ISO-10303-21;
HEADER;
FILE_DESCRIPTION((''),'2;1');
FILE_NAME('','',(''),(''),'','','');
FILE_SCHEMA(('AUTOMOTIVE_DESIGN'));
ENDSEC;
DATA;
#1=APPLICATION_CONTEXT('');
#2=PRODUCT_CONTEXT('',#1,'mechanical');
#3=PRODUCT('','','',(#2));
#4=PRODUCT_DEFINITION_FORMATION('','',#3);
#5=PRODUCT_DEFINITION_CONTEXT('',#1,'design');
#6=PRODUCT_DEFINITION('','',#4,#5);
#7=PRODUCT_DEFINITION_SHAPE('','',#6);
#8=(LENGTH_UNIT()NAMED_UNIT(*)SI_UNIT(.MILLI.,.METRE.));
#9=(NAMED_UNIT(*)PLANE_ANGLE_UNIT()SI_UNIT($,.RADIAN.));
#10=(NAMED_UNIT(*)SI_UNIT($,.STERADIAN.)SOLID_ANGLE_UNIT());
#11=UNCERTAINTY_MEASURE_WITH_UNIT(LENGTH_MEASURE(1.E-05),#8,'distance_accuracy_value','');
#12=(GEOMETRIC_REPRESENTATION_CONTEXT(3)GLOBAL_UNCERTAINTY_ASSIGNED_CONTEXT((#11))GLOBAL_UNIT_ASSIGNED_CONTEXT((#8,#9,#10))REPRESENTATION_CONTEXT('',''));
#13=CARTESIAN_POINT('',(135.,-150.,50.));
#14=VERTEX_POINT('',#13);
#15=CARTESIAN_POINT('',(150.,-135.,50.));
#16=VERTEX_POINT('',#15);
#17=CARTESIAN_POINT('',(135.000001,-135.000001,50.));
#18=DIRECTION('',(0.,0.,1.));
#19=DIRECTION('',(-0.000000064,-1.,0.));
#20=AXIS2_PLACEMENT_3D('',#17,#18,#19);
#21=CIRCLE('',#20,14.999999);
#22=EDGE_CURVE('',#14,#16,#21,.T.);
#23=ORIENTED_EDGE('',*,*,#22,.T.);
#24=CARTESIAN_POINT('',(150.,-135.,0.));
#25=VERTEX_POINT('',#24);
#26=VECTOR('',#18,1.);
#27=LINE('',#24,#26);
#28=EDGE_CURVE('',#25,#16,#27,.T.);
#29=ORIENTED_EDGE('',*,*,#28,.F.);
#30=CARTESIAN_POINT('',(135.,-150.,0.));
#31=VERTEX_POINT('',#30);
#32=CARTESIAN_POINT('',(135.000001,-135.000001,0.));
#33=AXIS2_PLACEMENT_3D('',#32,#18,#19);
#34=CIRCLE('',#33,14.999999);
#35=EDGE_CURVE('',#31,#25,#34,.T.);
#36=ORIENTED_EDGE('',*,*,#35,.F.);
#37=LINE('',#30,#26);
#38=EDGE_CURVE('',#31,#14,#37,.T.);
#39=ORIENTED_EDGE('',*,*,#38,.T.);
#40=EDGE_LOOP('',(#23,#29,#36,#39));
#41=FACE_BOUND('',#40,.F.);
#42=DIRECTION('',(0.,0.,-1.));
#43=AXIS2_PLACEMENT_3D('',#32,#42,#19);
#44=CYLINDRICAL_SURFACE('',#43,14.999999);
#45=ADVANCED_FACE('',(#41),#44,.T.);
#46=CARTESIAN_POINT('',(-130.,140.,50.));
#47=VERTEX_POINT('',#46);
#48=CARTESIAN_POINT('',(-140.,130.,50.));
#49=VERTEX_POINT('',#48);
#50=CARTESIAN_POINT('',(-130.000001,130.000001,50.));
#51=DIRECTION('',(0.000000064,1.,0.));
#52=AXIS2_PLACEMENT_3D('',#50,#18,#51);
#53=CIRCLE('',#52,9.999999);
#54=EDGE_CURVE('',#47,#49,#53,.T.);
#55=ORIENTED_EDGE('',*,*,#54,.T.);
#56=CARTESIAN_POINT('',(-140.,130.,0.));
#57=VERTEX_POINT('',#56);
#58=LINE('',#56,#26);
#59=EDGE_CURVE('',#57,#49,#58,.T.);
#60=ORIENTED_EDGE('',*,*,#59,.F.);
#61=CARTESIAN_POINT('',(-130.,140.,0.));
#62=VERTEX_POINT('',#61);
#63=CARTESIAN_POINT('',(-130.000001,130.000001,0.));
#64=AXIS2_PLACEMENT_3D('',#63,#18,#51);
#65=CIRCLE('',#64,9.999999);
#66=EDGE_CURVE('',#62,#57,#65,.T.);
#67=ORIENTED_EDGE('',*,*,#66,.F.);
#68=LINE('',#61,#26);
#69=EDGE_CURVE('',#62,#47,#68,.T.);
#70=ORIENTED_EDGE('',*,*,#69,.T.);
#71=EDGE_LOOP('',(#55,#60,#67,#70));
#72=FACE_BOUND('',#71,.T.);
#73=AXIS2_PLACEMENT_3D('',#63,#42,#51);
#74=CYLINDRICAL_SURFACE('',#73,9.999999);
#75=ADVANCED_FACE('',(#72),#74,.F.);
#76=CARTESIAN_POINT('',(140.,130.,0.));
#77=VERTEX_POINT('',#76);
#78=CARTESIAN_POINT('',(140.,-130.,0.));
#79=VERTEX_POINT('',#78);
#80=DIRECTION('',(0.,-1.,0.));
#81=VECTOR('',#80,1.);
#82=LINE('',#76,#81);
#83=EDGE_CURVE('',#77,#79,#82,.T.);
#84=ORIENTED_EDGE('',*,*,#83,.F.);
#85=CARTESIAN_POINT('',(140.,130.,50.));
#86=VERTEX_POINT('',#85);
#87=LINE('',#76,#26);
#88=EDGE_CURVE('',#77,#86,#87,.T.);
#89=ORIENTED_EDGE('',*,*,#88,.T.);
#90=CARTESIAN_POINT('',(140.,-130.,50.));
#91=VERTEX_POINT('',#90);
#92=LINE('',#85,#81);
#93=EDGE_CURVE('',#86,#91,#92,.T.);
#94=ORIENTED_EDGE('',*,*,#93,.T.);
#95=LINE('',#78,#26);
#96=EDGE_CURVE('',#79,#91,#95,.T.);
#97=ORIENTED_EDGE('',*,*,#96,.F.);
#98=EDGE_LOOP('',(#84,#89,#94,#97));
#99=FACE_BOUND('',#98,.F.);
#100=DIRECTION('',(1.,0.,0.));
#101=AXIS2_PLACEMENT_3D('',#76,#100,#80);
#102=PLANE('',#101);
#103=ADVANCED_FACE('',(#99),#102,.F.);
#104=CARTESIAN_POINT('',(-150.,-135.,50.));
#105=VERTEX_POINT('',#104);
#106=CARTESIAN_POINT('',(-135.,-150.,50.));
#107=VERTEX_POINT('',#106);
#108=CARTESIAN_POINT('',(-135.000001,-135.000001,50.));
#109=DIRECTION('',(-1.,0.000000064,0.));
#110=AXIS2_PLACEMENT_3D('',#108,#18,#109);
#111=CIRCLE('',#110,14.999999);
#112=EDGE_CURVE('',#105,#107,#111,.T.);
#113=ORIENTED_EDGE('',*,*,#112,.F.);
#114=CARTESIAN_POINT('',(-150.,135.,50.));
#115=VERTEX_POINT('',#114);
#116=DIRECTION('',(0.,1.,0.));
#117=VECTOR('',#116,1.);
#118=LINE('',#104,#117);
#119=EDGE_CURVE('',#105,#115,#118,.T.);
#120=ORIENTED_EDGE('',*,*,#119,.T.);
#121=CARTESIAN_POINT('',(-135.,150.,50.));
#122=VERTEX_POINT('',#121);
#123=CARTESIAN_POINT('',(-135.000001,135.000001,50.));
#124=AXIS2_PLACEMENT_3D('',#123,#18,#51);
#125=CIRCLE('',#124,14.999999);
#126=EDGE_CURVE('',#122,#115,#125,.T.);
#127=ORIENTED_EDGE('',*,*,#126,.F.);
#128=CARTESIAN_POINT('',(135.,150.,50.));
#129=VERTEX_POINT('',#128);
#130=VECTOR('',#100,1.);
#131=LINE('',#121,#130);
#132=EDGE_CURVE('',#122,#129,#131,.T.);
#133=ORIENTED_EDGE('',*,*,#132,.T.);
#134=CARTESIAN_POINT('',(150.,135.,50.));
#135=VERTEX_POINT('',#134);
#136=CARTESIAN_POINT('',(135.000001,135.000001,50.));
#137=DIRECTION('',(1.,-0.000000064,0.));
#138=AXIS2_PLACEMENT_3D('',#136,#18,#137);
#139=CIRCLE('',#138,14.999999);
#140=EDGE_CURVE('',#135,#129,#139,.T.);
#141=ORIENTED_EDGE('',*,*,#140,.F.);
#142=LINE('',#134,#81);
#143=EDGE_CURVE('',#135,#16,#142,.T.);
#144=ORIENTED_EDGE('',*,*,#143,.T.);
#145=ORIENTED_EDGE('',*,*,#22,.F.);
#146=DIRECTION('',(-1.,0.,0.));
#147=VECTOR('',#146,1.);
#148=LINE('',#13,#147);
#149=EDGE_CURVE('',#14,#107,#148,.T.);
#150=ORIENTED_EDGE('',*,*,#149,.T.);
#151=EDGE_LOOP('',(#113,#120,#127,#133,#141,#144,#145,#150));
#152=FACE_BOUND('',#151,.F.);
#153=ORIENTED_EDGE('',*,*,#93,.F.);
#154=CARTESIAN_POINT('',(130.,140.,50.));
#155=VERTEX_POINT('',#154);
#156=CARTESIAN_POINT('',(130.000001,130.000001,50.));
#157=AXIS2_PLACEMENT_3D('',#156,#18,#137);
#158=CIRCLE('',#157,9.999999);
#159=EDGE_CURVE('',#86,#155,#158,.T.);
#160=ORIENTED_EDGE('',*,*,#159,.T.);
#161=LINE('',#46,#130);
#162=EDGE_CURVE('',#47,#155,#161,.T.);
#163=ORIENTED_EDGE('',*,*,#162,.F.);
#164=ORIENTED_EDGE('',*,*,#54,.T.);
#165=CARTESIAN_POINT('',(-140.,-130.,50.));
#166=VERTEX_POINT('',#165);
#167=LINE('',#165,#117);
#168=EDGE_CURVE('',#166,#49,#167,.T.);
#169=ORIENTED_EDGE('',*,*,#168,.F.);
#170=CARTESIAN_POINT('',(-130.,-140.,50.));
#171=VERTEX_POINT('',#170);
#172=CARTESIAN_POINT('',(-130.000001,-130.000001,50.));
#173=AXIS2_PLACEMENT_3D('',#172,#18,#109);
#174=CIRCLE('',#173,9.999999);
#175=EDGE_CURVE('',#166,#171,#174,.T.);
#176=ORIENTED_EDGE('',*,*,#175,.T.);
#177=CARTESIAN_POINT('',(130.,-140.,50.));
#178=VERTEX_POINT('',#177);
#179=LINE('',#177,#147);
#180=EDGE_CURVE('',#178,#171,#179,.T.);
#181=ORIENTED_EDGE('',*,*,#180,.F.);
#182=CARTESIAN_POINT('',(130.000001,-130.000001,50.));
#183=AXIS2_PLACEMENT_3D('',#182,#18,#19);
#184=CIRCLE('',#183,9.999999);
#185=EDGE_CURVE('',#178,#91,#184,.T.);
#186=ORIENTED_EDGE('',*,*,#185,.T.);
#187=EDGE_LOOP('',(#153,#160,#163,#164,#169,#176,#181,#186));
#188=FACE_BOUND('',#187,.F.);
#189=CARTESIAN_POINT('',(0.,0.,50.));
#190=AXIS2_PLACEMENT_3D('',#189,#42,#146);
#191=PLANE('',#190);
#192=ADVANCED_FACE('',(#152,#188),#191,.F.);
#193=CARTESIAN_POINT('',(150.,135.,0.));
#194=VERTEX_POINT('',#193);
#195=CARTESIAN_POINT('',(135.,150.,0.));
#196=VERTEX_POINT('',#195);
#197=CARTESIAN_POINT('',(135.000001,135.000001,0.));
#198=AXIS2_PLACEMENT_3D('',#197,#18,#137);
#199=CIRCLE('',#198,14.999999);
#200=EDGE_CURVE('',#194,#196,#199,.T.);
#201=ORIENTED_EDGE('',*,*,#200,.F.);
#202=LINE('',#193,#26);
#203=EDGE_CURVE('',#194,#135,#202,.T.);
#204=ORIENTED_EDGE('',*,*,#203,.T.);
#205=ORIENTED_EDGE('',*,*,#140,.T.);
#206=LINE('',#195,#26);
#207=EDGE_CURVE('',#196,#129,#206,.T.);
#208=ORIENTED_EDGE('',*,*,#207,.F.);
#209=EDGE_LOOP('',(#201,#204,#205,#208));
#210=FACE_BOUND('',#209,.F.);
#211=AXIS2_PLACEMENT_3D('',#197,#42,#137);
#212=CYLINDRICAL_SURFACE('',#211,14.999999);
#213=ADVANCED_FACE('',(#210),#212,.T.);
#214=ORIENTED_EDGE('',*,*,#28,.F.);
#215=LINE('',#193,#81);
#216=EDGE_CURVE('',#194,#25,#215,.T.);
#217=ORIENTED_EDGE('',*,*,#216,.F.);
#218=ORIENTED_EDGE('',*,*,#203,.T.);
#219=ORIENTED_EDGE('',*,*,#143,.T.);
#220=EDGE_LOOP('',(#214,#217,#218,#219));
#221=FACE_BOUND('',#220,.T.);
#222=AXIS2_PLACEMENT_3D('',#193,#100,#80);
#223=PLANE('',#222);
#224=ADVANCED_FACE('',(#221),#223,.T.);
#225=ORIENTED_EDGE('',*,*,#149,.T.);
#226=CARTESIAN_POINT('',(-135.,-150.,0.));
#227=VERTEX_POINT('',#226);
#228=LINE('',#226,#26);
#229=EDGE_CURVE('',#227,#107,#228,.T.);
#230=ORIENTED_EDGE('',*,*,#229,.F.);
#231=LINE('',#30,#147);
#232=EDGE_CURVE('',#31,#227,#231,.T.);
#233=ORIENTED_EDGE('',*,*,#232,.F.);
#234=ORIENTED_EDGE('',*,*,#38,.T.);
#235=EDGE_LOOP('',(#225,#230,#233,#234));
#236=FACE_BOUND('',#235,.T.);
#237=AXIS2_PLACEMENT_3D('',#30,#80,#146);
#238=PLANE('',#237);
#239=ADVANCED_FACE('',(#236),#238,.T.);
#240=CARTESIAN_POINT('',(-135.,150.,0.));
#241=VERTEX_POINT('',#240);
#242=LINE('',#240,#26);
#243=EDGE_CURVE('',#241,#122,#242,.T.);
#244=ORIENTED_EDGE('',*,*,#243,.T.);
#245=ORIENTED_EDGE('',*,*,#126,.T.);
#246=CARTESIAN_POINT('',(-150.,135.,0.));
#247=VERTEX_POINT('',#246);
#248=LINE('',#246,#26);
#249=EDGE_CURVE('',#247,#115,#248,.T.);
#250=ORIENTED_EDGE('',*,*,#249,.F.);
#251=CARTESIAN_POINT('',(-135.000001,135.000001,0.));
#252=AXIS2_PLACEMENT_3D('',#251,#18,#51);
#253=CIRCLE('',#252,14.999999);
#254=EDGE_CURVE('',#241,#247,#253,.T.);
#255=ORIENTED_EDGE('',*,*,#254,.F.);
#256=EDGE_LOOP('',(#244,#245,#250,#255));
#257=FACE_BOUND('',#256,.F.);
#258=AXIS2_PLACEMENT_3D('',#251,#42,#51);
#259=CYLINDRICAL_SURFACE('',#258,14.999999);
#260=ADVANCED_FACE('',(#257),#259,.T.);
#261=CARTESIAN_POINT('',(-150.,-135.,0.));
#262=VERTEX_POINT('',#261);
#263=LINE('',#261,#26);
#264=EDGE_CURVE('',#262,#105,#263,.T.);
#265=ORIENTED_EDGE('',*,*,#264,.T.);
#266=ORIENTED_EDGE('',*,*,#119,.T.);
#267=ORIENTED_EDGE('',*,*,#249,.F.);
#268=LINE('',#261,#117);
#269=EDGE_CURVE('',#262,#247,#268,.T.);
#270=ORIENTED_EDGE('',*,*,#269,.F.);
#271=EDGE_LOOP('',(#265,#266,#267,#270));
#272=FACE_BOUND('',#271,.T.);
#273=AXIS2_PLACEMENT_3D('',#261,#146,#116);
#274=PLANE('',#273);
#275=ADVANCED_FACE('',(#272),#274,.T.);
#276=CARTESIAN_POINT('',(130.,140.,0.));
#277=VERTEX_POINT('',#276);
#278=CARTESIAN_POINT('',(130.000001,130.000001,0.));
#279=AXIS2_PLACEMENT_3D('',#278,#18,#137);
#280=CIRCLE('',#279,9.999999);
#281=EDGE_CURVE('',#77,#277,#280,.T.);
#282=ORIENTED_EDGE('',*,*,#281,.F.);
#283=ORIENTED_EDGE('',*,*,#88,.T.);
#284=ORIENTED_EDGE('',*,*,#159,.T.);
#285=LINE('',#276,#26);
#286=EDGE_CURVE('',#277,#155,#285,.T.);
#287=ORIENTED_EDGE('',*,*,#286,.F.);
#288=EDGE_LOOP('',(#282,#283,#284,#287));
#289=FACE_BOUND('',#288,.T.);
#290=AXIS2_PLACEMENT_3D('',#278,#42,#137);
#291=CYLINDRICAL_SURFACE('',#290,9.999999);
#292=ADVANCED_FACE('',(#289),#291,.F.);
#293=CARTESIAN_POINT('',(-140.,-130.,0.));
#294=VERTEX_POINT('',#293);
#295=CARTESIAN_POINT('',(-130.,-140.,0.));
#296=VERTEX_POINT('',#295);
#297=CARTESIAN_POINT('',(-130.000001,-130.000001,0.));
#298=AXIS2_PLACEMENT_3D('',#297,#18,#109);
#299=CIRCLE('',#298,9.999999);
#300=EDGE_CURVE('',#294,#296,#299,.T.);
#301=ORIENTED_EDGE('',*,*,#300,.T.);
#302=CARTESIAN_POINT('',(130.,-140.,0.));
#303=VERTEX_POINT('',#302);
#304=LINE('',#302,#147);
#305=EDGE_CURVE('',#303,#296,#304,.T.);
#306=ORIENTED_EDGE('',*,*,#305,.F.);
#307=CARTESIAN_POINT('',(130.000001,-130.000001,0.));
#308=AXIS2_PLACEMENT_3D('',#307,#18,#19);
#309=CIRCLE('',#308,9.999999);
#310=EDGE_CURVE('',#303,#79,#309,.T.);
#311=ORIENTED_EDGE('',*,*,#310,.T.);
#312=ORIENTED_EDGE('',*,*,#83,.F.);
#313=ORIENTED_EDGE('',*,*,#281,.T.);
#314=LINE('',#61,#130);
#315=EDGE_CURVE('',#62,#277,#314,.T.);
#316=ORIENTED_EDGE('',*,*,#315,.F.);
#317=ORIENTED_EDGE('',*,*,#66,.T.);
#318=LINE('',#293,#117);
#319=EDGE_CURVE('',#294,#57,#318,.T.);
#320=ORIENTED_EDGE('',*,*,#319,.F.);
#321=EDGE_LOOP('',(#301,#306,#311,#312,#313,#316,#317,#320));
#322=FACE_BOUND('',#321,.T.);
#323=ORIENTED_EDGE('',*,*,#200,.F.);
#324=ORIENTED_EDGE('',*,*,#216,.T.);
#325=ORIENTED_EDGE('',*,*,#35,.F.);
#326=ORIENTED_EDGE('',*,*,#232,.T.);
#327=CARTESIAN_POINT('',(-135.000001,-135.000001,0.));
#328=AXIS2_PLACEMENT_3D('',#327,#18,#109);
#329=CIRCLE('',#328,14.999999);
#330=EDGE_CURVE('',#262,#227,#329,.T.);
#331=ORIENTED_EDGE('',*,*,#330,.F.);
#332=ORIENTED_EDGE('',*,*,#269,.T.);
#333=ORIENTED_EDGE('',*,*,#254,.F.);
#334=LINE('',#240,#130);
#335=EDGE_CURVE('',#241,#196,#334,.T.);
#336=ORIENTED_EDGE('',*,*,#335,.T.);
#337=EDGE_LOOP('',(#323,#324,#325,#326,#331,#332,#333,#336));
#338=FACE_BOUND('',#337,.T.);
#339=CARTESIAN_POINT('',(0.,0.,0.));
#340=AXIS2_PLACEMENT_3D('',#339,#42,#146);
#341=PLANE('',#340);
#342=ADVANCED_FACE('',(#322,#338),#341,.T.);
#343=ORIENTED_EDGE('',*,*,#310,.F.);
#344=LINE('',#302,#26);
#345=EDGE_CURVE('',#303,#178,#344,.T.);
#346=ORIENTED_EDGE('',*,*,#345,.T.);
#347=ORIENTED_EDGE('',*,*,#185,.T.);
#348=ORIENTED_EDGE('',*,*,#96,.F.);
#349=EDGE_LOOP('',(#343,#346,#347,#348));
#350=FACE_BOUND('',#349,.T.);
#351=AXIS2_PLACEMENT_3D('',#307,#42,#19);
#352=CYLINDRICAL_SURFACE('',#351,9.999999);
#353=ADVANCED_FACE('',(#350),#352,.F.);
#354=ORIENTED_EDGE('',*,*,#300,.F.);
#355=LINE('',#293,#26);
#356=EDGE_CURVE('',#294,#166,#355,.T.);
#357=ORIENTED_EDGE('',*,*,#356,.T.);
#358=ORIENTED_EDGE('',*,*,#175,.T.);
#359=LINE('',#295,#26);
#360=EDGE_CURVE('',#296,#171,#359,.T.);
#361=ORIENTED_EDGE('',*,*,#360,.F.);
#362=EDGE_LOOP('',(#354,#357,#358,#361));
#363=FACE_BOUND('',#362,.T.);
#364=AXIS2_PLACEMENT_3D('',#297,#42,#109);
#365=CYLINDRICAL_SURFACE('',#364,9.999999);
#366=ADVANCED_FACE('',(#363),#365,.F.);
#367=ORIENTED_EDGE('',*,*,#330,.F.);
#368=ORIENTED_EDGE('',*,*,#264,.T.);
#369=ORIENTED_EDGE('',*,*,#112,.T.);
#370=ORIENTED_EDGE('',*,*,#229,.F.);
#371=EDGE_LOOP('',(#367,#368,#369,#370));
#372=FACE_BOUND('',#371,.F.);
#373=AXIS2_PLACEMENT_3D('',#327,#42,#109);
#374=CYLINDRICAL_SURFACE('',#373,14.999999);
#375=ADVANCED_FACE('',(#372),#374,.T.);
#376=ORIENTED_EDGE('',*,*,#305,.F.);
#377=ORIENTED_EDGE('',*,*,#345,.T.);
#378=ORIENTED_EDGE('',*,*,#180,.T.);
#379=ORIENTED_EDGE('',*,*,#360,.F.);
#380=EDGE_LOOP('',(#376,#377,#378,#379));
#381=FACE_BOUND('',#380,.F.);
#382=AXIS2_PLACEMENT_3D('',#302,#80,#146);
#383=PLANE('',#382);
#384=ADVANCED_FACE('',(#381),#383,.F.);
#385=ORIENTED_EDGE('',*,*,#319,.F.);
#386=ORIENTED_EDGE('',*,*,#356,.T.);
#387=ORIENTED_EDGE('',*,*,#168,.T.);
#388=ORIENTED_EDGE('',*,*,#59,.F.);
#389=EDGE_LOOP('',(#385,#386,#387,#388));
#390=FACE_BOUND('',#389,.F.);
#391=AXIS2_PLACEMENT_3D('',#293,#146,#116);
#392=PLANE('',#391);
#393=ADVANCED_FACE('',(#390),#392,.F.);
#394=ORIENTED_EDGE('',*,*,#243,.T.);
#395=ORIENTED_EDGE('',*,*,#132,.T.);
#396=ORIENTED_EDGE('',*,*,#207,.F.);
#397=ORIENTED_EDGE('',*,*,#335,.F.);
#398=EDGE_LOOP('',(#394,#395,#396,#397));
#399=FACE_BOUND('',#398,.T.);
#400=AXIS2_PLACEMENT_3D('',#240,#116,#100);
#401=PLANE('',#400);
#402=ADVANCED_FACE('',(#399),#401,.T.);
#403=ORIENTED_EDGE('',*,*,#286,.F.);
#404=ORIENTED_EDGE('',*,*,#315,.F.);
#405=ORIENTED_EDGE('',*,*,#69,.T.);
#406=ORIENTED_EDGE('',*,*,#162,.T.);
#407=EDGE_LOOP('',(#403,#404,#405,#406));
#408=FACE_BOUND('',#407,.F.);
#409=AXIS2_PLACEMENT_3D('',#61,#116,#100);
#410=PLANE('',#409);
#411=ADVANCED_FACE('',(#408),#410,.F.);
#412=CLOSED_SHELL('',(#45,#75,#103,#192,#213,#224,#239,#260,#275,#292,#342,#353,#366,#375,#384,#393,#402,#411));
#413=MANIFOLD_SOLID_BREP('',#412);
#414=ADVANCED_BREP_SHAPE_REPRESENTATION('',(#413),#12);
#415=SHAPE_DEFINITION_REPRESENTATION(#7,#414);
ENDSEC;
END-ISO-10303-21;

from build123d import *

# Parameters (mm, degrees)
EXTRUDE_DEPTH = 50


with BuildPart() as part:
    # Sketch → Extrude (new body)
    with BuildSketch(Plane.XY):
        with BuildLine():
            Line((-135, 150), (135, 150))
            ThreePointArc((150, 135), (145.606602, 145.606602), (135, 150))
            Line((150, 135), (150, -135))
            ThreePointArc((135, -150), (145.606602, -145.606602), (150, -135))
            Line((135, -150), (-135, -150))
            ThreePointArc((-150, -135), (-145.606602, -145.606602), (-135, -150))
            Line((-150, -135), (-150, 135))
            ThreePointArc((-135, 150), (-145.606602, 145.606602), (-150, 135))
        make_face()
        with BuildLine():
            Line((-130, 140), (130, 140))
            ThreePointArc((140, 130), (137.071068, 137.071068), (130, 140))
            Line((140, 130), (140, -130))
            ThreePointArc((130, -140), (137.071068, -137.071068), (140, -130))
            Line((130, -140), (-130, -140))
            ThreePointArc((-140, -130), (-137.071068, -137.071068), (-130, -140))
            Line((-140, -130), (-140, 130))
            ThreePointArc((-130, 140), (-137.071068, 137.071068), (-140, 130))
        make_face(mode=Mode.SUBTRACT)
    extrude(amount=EXTRUDE_DEPTH)


solid = part.part
